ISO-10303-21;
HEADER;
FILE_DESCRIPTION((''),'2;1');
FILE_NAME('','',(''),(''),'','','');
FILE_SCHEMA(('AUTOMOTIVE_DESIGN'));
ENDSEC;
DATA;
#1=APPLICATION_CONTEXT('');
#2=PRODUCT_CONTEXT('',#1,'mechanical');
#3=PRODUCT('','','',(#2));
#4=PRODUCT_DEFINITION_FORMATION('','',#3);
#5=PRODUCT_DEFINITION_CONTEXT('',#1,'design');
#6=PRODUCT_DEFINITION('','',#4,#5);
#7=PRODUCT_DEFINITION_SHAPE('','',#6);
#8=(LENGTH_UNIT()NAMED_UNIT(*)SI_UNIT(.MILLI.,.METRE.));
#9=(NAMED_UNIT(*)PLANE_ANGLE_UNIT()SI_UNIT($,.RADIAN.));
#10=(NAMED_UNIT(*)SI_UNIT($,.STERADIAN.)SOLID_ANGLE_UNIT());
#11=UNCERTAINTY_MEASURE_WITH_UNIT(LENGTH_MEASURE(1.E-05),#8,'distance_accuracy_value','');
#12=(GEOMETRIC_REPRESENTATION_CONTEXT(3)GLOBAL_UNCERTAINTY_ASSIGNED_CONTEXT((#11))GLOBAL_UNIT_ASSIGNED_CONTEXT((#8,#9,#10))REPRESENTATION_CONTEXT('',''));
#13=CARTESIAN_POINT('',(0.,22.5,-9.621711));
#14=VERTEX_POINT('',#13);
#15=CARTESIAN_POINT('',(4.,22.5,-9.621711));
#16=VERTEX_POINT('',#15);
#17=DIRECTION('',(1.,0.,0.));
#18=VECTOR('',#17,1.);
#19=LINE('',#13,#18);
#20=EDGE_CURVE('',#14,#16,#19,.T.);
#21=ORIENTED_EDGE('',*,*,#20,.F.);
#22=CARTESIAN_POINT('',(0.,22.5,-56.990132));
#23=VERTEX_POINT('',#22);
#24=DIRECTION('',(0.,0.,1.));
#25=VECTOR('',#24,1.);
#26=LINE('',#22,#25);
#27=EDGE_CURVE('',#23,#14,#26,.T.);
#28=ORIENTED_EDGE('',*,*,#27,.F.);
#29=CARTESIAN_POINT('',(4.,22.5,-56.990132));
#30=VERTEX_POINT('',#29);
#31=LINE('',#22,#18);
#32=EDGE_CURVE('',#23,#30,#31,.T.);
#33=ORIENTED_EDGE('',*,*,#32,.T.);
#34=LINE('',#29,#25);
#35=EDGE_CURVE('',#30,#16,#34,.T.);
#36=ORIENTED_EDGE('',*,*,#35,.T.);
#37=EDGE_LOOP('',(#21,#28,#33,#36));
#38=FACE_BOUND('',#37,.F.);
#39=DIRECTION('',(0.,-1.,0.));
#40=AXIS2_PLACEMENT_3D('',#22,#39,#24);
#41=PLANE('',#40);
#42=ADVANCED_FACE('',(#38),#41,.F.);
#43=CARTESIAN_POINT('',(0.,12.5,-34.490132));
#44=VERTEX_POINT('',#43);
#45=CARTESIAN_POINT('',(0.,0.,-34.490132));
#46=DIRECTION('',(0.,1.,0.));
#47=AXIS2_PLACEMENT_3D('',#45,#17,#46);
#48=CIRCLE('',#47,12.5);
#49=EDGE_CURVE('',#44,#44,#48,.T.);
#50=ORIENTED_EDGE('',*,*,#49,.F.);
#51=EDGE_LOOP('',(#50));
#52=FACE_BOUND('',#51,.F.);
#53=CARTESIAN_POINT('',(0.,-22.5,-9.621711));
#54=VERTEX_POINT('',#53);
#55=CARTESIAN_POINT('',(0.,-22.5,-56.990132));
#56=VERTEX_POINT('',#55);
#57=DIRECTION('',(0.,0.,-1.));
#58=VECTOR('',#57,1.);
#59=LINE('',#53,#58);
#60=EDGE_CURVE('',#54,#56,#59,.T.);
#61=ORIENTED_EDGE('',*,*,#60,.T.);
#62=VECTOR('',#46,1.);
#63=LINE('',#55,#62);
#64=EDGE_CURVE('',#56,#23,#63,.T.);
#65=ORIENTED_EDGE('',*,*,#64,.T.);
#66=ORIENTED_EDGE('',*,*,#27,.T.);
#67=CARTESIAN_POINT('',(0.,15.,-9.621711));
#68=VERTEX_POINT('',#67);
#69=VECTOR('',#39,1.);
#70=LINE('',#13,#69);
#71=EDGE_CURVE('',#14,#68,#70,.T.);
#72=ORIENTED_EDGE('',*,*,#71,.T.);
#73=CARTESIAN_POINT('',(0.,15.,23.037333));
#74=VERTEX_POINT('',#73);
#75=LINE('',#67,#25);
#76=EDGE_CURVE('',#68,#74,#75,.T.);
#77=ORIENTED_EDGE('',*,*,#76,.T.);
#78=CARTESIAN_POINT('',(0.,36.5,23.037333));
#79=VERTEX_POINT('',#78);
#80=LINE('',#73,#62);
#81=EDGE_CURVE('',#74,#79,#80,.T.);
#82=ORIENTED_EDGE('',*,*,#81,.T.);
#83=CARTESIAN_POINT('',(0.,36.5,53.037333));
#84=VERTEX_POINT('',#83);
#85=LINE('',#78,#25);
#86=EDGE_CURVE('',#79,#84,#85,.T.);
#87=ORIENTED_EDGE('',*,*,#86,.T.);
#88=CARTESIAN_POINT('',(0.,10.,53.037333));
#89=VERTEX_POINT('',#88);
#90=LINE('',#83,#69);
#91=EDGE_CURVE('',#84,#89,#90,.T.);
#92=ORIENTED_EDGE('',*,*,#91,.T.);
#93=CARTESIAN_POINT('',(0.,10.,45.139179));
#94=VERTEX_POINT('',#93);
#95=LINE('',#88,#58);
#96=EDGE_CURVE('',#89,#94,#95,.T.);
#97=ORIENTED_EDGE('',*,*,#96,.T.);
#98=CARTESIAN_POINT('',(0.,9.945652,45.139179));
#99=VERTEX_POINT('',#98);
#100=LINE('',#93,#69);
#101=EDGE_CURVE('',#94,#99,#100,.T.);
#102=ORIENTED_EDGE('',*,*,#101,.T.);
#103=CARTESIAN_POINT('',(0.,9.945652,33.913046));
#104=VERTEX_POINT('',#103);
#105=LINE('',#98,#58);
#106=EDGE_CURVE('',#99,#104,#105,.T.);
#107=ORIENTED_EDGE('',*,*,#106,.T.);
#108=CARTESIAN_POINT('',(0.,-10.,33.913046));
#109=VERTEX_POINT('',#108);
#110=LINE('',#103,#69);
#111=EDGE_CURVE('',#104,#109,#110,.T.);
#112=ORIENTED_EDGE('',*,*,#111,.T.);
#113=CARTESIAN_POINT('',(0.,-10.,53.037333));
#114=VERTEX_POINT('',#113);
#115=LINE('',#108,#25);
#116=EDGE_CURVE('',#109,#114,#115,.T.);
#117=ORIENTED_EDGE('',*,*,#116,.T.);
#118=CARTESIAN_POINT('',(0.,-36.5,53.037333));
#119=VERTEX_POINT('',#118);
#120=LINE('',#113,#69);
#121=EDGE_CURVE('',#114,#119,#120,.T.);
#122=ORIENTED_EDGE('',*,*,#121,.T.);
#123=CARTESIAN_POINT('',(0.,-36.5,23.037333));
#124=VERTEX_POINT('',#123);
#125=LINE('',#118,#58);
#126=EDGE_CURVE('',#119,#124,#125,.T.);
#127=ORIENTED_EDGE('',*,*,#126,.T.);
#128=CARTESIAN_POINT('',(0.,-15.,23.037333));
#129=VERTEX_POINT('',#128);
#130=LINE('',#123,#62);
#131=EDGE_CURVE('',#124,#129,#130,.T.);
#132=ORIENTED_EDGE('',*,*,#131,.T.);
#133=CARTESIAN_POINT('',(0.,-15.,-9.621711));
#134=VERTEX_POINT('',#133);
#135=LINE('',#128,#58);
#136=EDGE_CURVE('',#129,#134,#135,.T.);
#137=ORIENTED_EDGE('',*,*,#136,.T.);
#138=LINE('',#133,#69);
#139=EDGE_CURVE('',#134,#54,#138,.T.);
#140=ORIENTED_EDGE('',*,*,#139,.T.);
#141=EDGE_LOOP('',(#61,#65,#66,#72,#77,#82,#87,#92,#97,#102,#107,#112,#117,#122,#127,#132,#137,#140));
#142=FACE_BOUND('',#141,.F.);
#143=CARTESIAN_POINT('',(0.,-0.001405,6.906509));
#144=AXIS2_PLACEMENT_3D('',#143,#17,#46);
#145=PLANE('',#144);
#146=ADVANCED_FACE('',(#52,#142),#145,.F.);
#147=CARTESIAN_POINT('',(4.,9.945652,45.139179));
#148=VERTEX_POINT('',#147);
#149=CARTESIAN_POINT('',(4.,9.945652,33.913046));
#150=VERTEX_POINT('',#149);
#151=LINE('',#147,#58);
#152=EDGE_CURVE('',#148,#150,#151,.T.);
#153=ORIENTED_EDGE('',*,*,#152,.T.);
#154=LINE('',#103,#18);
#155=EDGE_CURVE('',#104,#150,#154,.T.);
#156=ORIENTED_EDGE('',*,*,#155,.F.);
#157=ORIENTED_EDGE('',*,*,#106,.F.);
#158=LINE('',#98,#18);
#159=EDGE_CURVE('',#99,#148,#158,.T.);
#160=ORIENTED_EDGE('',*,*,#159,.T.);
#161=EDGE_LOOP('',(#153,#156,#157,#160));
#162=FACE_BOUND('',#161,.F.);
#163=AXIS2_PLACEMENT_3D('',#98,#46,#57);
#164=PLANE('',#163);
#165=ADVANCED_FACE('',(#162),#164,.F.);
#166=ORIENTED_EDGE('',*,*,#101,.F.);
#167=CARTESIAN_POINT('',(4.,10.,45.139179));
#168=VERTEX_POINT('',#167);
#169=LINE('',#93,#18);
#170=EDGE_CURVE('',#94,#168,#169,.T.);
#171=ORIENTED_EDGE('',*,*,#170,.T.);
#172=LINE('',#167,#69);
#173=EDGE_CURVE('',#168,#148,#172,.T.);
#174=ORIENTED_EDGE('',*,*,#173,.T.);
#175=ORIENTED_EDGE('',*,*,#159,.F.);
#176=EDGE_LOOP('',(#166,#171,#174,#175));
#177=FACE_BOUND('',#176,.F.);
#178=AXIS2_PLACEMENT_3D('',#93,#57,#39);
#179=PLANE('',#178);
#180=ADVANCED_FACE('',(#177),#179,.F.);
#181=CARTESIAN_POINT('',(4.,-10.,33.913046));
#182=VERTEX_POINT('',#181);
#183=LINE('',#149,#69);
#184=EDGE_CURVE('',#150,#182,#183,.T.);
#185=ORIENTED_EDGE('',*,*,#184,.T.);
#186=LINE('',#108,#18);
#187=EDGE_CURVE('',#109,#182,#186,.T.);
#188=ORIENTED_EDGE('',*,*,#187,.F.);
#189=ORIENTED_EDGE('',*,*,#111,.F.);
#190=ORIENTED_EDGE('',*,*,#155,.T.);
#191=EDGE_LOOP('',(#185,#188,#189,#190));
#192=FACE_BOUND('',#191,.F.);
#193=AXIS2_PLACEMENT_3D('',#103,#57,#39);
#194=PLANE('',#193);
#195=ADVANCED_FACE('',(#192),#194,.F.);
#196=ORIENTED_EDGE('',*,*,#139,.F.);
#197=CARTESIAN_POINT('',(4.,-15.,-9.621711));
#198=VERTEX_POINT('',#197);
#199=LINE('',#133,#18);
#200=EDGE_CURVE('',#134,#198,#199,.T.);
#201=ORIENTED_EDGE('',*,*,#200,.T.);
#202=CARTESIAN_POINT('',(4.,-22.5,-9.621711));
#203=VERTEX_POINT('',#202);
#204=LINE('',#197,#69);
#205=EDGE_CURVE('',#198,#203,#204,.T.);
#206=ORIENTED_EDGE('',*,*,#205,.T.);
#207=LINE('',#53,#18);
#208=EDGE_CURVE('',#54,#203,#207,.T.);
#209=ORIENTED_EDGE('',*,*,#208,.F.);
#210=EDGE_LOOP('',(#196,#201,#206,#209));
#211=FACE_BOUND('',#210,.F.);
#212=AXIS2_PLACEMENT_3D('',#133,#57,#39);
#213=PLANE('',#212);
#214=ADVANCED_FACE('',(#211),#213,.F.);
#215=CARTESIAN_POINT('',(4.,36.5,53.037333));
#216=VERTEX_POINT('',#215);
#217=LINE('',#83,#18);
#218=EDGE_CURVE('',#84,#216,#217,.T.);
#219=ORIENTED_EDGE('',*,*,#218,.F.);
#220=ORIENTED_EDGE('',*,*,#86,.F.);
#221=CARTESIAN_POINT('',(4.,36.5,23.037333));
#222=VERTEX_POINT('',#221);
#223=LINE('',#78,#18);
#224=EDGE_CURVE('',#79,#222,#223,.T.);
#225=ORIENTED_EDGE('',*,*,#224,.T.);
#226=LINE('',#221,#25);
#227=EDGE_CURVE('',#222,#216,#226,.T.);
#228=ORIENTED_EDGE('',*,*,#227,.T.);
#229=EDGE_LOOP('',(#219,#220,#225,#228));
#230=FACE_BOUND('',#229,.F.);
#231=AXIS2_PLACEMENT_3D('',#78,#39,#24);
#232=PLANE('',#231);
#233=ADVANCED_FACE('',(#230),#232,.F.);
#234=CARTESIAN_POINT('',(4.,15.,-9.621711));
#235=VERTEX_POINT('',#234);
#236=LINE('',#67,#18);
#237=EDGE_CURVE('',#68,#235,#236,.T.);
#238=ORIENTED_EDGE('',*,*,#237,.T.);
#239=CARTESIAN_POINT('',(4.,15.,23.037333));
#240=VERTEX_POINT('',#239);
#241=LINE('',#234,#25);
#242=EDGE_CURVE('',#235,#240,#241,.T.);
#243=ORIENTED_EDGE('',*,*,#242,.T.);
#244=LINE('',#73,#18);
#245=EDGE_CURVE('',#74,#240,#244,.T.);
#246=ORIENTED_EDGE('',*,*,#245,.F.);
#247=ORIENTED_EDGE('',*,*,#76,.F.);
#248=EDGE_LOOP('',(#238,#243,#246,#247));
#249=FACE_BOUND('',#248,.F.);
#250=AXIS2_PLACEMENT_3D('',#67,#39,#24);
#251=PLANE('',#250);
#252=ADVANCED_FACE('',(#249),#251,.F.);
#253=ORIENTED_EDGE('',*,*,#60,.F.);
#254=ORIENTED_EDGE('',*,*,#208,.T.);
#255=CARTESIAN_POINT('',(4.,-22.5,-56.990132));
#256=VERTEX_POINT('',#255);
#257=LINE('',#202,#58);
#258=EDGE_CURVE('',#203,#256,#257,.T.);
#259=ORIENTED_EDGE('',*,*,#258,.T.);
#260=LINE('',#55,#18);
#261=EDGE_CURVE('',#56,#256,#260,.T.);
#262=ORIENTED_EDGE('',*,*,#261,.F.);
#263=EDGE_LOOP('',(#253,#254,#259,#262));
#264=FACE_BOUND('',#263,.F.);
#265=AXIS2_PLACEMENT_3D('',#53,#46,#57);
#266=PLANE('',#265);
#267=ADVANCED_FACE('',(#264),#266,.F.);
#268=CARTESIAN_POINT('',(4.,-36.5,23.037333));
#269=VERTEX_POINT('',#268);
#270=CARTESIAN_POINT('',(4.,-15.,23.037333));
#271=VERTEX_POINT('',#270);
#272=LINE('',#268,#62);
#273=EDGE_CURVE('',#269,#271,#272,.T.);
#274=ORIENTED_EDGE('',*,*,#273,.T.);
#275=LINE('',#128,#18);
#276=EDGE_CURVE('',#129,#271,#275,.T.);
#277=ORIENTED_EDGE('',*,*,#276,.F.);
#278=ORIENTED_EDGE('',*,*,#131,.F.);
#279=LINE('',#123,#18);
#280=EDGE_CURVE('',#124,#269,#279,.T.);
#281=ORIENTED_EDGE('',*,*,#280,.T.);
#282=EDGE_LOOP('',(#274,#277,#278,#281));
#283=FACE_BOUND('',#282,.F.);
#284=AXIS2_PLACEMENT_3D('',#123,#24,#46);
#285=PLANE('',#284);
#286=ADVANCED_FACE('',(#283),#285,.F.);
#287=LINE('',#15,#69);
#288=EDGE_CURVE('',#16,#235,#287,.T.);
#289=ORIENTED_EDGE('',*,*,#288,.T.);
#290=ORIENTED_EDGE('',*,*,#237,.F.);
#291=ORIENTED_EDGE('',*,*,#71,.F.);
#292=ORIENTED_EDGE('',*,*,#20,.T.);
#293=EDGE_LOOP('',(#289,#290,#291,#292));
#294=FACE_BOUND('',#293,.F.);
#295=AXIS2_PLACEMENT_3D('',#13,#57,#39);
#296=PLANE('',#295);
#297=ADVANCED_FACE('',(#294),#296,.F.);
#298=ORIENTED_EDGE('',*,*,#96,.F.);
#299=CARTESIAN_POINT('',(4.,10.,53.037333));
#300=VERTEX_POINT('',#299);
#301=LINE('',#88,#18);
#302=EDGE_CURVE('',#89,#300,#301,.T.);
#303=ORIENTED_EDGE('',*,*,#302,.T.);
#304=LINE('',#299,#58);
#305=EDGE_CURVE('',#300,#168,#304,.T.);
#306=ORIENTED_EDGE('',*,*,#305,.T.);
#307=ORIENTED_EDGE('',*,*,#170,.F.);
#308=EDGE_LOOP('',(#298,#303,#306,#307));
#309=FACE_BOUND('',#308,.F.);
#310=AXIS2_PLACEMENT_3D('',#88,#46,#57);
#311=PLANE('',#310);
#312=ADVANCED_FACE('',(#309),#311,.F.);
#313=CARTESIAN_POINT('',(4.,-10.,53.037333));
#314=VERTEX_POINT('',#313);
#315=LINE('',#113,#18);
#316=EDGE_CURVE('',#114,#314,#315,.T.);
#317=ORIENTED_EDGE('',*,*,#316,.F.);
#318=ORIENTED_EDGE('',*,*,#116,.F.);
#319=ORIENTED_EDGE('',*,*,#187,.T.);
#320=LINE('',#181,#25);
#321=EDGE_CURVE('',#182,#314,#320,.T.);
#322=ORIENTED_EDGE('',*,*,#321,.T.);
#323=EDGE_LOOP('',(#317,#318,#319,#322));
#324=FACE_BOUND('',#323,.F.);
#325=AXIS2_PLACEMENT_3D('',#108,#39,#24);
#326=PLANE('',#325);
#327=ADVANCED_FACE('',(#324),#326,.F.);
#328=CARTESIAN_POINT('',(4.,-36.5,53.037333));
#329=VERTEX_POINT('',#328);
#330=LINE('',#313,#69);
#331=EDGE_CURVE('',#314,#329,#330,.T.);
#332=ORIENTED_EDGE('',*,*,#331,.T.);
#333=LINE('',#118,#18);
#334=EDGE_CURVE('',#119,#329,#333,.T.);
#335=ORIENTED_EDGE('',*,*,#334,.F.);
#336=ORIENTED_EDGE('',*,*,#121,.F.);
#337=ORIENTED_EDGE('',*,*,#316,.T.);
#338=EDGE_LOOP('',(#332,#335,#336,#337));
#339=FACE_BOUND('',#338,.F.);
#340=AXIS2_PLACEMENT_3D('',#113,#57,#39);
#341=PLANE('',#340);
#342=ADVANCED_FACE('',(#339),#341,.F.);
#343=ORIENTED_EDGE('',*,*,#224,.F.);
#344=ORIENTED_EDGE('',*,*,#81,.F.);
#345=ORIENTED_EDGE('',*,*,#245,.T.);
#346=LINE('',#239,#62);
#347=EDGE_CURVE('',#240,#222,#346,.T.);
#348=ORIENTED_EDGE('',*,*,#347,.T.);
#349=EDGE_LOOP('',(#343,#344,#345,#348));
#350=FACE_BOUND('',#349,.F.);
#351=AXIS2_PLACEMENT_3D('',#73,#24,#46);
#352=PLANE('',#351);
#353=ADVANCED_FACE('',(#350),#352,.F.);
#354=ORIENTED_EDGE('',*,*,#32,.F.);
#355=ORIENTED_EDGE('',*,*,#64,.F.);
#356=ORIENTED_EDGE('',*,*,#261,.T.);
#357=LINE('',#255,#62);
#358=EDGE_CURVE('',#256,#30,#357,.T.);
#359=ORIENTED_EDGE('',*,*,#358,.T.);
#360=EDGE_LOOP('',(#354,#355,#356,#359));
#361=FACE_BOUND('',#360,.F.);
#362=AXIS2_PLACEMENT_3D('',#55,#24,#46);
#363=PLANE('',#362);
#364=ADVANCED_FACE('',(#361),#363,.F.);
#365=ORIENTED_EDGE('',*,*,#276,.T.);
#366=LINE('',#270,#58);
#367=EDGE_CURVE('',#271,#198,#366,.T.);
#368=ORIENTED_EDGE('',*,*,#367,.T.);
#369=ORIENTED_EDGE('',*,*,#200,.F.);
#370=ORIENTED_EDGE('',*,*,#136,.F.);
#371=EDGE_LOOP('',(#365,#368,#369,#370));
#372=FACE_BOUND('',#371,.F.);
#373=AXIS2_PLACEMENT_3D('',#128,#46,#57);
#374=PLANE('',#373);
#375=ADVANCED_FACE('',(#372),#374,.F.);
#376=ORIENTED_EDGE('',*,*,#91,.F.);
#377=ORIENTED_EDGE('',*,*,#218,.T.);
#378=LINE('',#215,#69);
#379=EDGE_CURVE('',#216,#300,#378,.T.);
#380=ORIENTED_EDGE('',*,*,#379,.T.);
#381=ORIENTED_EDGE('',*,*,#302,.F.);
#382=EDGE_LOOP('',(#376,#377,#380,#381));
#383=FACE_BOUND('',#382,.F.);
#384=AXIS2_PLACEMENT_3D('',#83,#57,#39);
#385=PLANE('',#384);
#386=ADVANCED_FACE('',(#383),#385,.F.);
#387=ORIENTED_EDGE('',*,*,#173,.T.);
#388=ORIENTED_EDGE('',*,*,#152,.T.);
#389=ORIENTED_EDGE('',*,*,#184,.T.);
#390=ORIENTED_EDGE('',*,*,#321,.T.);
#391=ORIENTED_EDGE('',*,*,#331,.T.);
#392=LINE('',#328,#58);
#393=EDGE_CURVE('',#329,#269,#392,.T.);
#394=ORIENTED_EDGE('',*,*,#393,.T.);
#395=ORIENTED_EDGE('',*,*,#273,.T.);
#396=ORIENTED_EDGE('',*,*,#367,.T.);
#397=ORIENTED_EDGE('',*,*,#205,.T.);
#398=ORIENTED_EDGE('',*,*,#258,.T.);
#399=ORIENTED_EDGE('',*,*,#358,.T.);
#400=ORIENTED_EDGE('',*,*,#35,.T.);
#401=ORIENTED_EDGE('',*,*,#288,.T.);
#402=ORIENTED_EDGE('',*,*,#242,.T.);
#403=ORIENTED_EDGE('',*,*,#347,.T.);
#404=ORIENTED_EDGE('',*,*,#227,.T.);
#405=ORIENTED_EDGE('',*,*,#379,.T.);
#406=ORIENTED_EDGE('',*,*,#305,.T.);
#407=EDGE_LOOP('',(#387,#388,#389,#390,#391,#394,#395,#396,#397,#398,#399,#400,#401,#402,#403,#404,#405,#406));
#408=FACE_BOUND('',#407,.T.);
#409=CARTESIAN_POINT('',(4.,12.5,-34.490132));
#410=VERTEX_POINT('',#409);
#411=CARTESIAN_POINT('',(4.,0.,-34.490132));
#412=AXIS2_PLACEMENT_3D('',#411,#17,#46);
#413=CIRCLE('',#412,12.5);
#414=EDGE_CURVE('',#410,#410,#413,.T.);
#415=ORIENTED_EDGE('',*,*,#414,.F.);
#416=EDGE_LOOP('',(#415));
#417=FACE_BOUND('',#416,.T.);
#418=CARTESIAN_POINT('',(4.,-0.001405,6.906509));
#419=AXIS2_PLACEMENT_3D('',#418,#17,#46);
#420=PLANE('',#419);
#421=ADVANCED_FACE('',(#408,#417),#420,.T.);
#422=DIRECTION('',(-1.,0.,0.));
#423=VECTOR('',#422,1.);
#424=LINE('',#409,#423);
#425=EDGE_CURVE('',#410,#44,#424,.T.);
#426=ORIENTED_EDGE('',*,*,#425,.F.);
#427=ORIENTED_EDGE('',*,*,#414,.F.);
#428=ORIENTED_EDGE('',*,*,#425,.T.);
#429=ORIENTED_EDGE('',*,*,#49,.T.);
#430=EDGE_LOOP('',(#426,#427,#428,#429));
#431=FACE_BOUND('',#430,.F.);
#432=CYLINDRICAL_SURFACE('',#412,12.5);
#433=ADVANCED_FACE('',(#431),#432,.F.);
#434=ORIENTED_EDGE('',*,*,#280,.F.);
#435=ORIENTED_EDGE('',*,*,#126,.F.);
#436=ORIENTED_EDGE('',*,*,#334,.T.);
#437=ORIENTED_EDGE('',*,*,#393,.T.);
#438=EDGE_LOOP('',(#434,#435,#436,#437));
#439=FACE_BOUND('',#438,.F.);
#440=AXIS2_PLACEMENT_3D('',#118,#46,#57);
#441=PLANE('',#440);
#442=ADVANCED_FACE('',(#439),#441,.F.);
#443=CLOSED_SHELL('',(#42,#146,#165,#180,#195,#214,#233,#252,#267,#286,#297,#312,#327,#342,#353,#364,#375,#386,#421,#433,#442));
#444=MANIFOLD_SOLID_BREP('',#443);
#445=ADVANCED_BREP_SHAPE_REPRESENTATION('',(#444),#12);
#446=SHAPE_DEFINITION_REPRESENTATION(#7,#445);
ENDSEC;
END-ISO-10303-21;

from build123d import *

# Parameters (mm, degrees)
F1_DEPTH = 4
F2_R     = 12.5
F3_DEPTH = 25


with BuildPart() as f1:
    # F0 (on Right) → F1 (new body)
    with BuildSketch(Plane.YZ):
        Polygon((-10, 53.037333), (-36.5, 53.037333), (-36.5, 23.037333), (-15, 23.037333), (-15, 0), (-15, -9.621711), (-22.5, -9.621711), (-22.5, -56.990132), (0, -56.990132), (22.5, -56.990132), (22.5, -9.621711), (15, -9.621711), (15, 0), (15, 23.037333), (36.5, 23.037333), (36.5, 53.037333), (10, 53.037333), (10, 45.139179), (9.945652, 45.139179), (9.945652, 33.913046), (-10, 33.913046), (-10, 45.139179), align=None)
    extrude(amount=F1_DEPTH)

    # F2 (on face) → F3 (cut)
    with BuildSketch(Plane.YZ.offset(4)):
        with Locations((0, -34.490132)):
            Circle(F2_R)
    extrude(amount=-F3_DEPTH, mode=Mode.SUBTRACT)


solid = f1.part
